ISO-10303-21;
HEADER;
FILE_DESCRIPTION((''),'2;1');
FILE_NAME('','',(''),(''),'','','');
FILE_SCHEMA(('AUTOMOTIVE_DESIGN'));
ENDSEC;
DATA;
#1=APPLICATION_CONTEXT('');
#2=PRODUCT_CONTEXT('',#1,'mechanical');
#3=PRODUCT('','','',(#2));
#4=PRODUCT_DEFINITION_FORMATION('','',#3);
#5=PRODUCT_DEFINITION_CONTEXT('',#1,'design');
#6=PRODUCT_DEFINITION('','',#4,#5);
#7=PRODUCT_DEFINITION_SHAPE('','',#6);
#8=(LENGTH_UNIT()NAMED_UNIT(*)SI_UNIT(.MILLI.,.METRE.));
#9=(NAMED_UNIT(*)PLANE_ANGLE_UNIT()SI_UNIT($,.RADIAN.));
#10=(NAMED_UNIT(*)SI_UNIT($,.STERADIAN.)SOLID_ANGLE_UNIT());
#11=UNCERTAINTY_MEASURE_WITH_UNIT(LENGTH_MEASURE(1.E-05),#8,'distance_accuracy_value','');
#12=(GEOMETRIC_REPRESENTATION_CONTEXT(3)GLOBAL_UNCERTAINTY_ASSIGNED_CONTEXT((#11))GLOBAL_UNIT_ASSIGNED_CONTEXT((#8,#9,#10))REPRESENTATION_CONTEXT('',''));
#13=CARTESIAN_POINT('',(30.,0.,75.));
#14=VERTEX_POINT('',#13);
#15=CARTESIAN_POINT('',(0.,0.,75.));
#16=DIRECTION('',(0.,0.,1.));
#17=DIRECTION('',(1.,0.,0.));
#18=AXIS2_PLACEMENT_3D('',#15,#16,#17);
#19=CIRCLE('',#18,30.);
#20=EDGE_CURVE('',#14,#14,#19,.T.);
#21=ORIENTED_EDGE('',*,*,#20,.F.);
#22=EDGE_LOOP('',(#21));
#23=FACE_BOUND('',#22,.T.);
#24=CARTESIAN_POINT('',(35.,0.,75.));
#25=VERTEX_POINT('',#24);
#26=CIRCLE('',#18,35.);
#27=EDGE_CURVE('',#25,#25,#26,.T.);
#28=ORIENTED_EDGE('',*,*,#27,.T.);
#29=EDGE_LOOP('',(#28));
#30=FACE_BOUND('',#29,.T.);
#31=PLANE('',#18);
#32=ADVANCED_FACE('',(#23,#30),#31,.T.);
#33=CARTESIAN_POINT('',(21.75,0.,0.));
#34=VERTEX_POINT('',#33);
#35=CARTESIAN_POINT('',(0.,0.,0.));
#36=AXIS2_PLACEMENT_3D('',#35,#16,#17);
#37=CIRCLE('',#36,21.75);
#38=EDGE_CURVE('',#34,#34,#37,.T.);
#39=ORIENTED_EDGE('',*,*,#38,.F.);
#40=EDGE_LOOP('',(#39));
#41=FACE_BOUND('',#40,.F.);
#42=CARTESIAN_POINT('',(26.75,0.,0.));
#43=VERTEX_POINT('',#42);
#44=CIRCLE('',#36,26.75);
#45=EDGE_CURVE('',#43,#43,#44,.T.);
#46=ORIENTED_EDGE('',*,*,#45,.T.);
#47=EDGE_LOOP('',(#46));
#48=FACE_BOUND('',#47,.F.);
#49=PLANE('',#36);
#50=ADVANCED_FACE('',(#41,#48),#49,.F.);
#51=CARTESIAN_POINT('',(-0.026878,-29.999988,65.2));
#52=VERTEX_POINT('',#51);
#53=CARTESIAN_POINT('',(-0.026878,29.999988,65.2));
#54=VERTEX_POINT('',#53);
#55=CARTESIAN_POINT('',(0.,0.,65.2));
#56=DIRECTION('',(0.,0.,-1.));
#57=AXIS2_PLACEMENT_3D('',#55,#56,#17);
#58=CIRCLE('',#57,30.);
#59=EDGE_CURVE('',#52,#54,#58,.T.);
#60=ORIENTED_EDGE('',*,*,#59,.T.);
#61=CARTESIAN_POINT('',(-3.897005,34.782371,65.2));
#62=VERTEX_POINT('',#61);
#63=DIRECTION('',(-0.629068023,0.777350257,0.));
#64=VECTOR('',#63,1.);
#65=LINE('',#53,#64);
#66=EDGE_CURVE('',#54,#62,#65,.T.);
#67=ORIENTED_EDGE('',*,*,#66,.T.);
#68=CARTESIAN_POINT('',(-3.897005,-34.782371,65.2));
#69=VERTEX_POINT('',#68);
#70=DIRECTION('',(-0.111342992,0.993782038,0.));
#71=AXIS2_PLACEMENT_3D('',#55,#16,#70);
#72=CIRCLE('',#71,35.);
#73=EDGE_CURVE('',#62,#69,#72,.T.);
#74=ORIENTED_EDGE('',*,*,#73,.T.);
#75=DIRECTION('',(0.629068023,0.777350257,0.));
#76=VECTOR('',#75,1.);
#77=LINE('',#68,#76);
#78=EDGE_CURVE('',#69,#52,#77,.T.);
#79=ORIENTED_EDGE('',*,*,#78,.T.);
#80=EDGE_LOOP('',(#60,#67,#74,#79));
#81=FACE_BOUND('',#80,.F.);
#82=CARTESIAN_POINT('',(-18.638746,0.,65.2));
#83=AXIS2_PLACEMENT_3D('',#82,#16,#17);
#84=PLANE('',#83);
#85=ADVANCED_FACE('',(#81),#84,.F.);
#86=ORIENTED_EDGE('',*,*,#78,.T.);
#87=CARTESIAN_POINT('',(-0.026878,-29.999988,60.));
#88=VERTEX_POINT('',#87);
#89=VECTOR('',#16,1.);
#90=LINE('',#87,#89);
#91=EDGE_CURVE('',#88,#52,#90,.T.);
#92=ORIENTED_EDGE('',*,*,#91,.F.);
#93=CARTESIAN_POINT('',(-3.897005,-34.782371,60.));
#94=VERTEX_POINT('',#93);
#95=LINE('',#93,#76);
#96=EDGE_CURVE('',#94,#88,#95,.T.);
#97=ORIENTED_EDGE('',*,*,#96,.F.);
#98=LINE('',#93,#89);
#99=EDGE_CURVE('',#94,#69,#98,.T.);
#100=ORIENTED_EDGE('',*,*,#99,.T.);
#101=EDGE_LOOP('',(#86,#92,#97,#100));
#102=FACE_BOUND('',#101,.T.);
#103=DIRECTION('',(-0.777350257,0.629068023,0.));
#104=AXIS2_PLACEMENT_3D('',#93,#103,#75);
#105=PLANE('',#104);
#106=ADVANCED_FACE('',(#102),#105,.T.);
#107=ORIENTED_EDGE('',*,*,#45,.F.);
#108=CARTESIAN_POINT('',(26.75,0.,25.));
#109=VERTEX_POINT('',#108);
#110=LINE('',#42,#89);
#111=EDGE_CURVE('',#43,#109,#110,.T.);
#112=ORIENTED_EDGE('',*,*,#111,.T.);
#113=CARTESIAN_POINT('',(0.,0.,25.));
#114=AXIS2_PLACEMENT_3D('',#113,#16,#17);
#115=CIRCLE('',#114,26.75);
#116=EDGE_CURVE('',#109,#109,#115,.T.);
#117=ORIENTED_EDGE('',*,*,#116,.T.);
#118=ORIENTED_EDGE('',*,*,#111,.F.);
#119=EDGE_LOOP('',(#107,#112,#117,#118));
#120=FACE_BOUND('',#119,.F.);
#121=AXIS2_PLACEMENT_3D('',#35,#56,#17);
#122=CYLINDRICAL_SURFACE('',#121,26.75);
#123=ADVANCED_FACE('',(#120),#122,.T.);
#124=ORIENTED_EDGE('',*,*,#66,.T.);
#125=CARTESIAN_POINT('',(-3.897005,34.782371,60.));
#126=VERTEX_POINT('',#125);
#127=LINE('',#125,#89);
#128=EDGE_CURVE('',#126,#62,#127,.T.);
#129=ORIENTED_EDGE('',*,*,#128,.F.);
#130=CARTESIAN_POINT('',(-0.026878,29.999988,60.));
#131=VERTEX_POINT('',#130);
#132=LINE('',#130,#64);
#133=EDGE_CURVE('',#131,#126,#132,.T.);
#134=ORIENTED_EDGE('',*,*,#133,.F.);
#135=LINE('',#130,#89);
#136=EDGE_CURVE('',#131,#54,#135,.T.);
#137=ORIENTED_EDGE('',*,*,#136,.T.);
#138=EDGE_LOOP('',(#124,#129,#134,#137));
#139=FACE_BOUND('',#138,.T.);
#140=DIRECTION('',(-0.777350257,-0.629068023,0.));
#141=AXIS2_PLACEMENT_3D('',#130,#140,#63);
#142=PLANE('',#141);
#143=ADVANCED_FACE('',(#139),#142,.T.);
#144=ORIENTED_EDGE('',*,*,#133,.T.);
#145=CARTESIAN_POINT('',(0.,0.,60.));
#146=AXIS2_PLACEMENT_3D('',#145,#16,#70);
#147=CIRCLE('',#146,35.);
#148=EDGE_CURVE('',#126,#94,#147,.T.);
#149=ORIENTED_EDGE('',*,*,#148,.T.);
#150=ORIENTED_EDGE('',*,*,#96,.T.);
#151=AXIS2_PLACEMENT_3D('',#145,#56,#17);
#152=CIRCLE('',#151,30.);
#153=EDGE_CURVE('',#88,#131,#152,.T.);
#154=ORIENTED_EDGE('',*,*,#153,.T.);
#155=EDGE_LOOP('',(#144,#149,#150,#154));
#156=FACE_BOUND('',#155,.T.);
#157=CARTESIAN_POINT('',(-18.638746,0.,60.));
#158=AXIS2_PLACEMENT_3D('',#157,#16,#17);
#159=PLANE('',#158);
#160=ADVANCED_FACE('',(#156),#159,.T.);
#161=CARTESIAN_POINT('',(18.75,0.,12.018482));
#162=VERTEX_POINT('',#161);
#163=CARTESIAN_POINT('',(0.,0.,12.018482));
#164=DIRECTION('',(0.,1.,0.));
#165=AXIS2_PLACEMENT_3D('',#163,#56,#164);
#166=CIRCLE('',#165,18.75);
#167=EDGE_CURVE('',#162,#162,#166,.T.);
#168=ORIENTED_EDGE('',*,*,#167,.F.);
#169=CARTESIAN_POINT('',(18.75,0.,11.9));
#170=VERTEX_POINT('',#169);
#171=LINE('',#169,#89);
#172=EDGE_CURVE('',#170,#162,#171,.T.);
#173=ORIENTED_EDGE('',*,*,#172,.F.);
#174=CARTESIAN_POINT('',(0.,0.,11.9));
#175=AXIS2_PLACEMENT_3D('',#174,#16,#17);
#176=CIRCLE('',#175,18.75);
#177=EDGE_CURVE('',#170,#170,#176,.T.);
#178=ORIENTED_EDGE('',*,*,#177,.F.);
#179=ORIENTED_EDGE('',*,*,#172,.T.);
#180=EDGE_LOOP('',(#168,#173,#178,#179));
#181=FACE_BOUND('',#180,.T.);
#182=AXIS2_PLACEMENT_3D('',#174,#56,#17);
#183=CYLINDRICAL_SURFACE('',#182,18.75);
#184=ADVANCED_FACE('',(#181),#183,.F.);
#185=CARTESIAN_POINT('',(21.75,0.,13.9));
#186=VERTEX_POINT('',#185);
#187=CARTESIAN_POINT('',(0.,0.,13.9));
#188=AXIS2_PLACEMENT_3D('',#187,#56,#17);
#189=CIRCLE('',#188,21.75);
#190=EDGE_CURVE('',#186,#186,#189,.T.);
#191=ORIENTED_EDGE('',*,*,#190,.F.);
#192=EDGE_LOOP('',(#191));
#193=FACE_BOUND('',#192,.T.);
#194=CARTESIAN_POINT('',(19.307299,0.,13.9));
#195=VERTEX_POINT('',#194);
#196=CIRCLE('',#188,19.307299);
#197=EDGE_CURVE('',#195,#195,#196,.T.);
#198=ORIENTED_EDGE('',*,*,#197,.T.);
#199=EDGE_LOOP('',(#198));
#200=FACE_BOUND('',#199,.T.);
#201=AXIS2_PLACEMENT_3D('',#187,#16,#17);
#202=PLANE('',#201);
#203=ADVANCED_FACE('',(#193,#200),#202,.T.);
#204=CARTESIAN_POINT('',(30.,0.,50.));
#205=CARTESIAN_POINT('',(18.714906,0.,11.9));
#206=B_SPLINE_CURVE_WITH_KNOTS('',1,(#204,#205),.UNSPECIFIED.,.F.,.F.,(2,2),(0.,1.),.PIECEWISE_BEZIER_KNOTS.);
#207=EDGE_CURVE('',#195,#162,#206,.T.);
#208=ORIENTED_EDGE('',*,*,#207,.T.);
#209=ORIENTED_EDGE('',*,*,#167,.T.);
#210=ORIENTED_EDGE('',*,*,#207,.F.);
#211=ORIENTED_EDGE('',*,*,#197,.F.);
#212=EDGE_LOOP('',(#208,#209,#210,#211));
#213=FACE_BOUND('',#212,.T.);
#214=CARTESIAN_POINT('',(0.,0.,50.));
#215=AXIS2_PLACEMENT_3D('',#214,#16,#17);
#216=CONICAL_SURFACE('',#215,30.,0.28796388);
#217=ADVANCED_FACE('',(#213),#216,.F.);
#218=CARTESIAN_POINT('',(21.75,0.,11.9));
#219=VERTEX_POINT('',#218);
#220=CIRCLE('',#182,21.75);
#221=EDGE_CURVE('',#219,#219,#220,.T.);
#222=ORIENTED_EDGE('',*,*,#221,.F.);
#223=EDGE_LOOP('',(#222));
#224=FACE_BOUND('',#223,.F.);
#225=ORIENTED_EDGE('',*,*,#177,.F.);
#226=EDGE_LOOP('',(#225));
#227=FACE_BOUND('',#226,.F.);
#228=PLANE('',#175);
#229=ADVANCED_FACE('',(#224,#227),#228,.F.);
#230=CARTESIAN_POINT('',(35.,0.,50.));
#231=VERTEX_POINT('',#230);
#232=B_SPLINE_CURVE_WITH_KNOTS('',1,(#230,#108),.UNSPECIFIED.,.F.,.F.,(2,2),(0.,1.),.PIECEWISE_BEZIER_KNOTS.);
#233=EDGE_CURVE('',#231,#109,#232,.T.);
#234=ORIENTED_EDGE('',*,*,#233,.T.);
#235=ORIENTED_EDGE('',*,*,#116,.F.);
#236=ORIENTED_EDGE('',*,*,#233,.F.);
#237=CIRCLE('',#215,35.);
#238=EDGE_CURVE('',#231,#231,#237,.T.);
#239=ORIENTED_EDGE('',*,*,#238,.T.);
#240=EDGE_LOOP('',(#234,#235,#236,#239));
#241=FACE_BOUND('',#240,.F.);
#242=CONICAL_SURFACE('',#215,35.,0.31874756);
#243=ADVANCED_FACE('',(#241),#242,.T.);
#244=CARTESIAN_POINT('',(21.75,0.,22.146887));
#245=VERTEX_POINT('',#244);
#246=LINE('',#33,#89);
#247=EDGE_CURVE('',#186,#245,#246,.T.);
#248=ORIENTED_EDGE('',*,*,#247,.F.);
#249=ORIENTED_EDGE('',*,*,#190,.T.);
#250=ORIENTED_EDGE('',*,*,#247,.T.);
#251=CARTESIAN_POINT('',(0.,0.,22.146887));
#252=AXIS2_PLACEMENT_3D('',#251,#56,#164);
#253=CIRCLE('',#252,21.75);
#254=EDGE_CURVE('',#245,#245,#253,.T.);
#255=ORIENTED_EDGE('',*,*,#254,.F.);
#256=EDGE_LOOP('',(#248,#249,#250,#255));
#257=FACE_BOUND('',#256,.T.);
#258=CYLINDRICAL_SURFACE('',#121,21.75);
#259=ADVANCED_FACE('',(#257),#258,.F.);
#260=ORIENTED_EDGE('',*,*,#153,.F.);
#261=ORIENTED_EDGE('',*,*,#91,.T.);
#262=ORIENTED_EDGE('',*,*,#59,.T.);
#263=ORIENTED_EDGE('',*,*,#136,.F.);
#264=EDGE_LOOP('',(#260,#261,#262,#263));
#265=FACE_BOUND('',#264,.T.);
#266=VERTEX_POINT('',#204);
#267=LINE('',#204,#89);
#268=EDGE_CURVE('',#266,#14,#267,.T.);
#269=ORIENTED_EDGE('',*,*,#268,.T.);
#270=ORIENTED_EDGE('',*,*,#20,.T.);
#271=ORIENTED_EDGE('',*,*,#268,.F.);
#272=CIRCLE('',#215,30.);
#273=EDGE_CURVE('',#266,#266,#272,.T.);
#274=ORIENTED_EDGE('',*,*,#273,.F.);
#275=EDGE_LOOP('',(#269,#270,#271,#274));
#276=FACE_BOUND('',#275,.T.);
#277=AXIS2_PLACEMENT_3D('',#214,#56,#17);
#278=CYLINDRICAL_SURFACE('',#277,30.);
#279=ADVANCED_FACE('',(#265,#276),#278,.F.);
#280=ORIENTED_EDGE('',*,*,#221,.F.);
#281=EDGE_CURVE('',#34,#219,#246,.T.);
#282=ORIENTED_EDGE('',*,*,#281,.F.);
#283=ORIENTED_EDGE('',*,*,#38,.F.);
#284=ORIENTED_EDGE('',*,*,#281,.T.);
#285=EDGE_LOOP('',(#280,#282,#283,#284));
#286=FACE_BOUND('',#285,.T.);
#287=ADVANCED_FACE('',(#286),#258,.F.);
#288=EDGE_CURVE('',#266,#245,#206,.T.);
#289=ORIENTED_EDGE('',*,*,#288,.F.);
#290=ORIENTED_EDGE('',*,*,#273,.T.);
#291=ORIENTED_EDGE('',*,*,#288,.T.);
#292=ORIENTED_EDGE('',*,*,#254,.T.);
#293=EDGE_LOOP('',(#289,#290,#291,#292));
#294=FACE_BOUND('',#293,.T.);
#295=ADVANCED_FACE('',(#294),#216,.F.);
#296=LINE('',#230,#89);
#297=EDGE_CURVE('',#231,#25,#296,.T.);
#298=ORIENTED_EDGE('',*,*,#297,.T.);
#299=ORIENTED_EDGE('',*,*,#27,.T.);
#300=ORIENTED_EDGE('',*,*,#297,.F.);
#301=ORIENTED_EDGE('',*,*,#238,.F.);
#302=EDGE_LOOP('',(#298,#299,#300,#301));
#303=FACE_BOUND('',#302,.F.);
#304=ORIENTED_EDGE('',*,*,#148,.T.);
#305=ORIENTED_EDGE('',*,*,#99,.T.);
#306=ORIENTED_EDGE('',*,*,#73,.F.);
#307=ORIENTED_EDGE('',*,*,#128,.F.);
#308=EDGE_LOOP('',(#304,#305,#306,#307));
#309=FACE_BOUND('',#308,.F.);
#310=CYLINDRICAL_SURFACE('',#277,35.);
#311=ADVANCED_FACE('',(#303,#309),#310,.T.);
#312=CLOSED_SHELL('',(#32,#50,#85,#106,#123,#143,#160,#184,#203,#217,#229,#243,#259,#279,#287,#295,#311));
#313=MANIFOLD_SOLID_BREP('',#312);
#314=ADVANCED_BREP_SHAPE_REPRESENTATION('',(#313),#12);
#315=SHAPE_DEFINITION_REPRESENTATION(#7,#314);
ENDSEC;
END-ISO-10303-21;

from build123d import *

# Parameters (mm, degrees)
F0_R      = 26.75
F0_R_2    = 21.75
F1_DEPTH  = 25
F3_R      = 22.935905
F3_R_2    = 18.75
F4_DEPTH  = 2
F6_R      = 35
F7_R      = 26.75
F9_R      = 30
F10_R     = 18.714906
F12_R     = 35
F12_R_2   = 30
F13_DEPTH = 25
F16_DEPTH = 5.2


with BuildPart() as f1:
    # F0 (on Top) → F1 (new body)
    with BuildSketch(Plane.XY):
        Circle(F0_R)
        Circle(F0_R_2, mode=Mode.SUBTRACT)
    extrude(amount=F1_DEPTH)

    # F3 (on offset) → F4 (join)
    with BuildSketch(Plane.XY.offset(11.9)):
        Circle(F3_R)
        Circle(F3_R_2, mode=Mode.SUBTRACT)
    extrude(amount=F4_DEPTH)

    # F6 (on offset) → F8 section 0
    with BuildSketch(Plane.XY.offset(50)):
        Circle(F6_R)
    # F7 (on face) → F8 section 1
    with BuildSketch(Plane.XY.offset(25)):
        Circle(F7_R)
    loft()

    # F9 (on face) → F11 section 0
    with BuildSketch(Plane.XY.offset(50)):
        Circle(F9_R)
    # F10 (on face) → F11 section 1
    with BuildSketch(Plane(origin=(0, 0, 11.9), x_dir=(1, 0, 0), z_dir=(0, 0, -1))):
        Circle(F10_R)
    loft(mode=Mode.SUBTRACT)

    # F12 (on face) → F13 (join)
    with BuildSketch(Plane.XY.offset(50)):
        Circle(F12_R)
        Circle(F12_R_2, mode=Mode.SUBTRACT)
    extrude(amount=F13_DEPTH)

    # F15 (on offset) → F16 (cut)
    with BuildSketch(Plane.XY.offset(60)):
        with BuildLine():
            Line((-0.026878, 29.999988), (-3.897005, 34.782371))
            ThreePointArc((-3.897005, 34.782371), (-35, 0), (-3.897005, -34.782371))
            Line((-3.897005, -34.782371), (-0.026878, -29.999988))
            ThreePointArc((-0.026878, -29.999988), (-30, 0), (-0.026878, 29.999988))
        make_face()
        with BuildLine():
            Line((-0.026878, -29.999988), (-0.026878, 29.999988))
            ThreePointArc((-0.026878, 29.999988), (-30, 0), (-0.026878, -29.999988))
        make_face()
    extrude(amount=F16_DEPTH, mode=Mode.SUBTRACT)


solid = f1.part
